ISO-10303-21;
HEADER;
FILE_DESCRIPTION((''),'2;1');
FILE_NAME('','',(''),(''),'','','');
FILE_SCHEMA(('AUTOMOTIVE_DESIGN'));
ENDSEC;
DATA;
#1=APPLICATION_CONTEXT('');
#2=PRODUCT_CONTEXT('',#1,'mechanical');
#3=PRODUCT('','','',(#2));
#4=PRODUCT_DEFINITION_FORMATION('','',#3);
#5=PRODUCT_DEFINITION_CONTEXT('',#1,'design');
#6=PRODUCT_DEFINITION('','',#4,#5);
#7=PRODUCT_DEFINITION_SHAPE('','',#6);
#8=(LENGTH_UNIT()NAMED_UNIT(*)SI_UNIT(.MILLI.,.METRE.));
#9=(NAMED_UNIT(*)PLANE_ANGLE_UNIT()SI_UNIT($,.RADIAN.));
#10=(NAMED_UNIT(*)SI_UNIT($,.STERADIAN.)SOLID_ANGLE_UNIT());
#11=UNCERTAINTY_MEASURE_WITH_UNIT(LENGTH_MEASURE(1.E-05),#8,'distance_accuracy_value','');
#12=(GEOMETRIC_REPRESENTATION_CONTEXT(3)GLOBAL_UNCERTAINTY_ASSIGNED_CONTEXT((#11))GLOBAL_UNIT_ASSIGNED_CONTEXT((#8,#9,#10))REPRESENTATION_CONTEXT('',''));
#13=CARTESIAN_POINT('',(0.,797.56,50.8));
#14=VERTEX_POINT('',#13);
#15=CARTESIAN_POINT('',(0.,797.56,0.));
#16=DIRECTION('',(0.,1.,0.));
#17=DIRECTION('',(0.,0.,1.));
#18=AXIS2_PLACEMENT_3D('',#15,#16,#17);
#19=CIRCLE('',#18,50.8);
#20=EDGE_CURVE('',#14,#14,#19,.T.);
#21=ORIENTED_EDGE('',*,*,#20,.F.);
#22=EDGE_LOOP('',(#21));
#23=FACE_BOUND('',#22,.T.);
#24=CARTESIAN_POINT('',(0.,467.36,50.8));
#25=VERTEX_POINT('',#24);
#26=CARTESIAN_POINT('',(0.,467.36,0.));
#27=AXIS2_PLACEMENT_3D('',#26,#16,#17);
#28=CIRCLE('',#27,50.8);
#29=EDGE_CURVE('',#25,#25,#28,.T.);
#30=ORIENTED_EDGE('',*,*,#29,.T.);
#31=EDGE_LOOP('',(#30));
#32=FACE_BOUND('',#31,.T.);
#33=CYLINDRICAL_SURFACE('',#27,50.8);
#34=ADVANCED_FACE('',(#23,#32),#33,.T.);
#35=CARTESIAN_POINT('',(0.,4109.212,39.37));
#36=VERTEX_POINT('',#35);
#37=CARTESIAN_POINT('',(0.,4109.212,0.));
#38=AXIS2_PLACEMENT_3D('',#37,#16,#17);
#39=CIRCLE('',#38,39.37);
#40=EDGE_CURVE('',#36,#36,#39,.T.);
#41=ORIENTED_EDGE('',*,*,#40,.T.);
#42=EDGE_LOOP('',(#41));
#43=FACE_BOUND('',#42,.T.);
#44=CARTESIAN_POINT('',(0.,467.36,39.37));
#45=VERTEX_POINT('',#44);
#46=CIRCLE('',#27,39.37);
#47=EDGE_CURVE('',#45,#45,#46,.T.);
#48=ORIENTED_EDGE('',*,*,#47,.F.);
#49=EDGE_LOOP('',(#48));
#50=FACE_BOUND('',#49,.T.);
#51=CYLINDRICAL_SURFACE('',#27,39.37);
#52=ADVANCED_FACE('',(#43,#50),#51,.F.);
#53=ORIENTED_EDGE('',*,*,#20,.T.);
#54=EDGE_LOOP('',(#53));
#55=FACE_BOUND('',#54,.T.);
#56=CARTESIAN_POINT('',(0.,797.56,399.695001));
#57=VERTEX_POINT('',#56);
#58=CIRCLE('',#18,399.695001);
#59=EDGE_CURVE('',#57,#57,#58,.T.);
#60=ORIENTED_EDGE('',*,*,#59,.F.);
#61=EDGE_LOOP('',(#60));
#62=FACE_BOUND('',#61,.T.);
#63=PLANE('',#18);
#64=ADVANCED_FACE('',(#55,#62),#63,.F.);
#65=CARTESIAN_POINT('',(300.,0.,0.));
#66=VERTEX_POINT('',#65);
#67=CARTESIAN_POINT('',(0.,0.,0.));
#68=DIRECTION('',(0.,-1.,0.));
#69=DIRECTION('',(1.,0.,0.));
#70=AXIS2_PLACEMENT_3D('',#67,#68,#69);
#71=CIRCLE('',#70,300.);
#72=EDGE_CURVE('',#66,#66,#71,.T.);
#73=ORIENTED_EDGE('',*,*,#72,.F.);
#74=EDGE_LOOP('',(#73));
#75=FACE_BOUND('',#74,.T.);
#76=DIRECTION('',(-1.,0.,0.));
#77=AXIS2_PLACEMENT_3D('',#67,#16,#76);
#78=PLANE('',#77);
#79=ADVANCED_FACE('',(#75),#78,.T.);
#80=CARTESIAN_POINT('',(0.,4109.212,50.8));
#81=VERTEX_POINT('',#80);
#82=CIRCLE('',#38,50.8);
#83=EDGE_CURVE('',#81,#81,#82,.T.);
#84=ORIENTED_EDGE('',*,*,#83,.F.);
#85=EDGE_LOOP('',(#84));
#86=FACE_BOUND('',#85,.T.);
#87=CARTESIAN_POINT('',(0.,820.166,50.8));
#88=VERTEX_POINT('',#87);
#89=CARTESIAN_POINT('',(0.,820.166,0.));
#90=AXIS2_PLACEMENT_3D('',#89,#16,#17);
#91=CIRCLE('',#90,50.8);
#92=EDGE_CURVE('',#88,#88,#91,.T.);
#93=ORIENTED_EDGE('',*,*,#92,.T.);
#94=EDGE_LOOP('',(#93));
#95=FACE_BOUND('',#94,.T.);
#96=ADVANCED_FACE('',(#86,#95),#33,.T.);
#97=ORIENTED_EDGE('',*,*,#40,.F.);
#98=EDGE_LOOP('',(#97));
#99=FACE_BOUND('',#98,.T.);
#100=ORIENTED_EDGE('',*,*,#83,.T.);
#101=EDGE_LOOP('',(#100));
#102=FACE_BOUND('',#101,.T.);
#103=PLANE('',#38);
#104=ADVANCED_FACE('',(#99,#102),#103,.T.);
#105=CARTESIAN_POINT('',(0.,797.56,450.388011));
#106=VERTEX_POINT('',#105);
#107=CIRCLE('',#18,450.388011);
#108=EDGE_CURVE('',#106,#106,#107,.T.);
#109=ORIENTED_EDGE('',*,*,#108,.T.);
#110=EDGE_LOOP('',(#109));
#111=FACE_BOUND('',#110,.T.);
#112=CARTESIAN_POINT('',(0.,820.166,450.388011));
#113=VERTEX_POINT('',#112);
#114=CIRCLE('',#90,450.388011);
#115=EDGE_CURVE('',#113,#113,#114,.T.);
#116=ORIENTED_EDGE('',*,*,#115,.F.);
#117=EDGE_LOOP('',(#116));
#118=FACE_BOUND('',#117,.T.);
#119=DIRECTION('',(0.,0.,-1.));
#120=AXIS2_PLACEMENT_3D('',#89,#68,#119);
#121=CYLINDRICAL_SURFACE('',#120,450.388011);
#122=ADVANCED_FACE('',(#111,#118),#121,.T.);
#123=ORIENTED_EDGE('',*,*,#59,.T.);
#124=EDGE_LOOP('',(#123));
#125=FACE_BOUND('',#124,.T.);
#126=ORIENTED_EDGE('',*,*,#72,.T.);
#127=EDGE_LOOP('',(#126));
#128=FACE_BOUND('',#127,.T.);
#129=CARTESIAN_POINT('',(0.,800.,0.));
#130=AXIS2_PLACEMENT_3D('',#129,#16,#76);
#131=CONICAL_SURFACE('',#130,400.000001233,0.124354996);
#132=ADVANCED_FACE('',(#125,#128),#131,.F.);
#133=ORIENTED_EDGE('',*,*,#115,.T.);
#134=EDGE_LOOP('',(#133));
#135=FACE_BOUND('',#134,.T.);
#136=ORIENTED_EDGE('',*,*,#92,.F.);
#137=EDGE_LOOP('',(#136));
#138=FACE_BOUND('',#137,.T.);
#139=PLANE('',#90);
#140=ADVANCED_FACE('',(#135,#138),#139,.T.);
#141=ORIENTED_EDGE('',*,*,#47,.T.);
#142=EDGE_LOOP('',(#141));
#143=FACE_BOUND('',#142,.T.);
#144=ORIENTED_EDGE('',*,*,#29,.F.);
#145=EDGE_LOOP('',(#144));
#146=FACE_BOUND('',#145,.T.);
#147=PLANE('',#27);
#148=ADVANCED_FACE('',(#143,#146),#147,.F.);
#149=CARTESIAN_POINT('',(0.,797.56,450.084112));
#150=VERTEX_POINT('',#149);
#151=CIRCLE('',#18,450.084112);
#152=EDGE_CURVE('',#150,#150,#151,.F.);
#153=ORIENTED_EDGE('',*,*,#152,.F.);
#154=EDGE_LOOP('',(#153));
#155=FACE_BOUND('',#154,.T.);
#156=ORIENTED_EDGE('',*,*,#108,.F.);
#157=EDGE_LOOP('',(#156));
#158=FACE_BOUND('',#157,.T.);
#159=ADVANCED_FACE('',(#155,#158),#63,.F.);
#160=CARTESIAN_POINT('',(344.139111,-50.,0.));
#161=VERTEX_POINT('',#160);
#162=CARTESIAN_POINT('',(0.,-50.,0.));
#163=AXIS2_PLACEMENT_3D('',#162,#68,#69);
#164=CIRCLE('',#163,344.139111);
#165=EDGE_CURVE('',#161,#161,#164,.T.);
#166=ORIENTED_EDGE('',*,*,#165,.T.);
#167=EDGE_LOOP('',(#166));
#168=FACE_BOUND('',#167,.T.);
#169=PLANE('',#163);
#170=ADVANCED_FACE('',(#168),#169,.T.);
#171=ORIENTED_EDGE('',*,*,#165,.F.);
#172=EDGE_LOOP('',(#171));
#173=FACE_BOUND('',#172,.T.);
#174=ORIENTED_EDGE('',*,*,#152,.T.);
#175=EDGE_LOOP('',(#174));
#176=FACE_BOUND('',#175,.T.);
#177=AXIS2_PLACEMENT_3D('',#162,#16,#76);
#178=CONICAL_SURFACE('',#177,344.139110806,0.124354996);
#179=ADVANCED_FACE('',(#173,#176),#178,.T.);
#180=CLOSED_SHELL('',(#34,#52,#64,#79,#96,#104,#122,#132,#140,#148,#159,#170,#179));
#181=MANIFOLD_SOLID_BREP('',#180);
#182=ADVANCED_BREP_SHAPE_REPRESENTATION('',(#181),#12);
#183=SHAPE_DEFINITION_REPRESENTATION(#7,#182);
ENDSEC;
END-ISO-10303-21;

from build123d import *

# Parameters (mm, degrees)
SKETCH3_R                = 450.388011064
SKETCH3_R_2              = 50.774314147
BOSS_EXTRUDE1_DEPTH      = 22.606
SKETCH4_R                = 50.8
SKETCH4_R_2              = 39.37
BOSS_EXTRUDE2_DEPTH      = 3311.652
BOSS_EXTRUDE2_DEPTH_BACK = 330.2


with BuildPart() as part:
    # Sketch2 → Revolve1 (revolve)
    with BuildSketch(Plane.XY):
        Polygon((0, 0), (0, -50.000000076), (344.139110806, -50.000000076), (450.388011064, 799.991191009), (400.000001233, 799.999999946), (299.999999948, 0), align=None)
    revolve(axis=Axis((0, -50.000000076, 0), (0, 1, 0)))

    # Sketch3 → Boss-Extrude1 (add)
    with BuildSketch(Plane(origin=(0, 797.56, 0), x_dir=(1, 0, 0), z_dir=(0, 1, 0))):
        Circle(SKETCH3_R)
        Circle(SKETCH3_R_2, mode=Mode.SUBTRACT)
    extrude(amount=BOSS_EXTRUDE1_DEPTH)

    # Sketch4 → Boss-Extrude2 (add, two sides)
    with BuildSketch(Plane(origin=(0, 797.56, 0), x_dir=(1, 0, 0), z_dir=(0, 1, 0))) as boss_extrude2_sk:
        Circle(SKETCH4_R)
        Circle(SKETCH4_R_2, mode=Mode.SUBTRACT)
    extrude(amount=BOSS_EXTRUDE2_DEPTH)
    extrude(boss_extrude2_sk.sketch, amount=-BOSS_EXTRUDE2_DEPTH_BACK)


solid = part.part
